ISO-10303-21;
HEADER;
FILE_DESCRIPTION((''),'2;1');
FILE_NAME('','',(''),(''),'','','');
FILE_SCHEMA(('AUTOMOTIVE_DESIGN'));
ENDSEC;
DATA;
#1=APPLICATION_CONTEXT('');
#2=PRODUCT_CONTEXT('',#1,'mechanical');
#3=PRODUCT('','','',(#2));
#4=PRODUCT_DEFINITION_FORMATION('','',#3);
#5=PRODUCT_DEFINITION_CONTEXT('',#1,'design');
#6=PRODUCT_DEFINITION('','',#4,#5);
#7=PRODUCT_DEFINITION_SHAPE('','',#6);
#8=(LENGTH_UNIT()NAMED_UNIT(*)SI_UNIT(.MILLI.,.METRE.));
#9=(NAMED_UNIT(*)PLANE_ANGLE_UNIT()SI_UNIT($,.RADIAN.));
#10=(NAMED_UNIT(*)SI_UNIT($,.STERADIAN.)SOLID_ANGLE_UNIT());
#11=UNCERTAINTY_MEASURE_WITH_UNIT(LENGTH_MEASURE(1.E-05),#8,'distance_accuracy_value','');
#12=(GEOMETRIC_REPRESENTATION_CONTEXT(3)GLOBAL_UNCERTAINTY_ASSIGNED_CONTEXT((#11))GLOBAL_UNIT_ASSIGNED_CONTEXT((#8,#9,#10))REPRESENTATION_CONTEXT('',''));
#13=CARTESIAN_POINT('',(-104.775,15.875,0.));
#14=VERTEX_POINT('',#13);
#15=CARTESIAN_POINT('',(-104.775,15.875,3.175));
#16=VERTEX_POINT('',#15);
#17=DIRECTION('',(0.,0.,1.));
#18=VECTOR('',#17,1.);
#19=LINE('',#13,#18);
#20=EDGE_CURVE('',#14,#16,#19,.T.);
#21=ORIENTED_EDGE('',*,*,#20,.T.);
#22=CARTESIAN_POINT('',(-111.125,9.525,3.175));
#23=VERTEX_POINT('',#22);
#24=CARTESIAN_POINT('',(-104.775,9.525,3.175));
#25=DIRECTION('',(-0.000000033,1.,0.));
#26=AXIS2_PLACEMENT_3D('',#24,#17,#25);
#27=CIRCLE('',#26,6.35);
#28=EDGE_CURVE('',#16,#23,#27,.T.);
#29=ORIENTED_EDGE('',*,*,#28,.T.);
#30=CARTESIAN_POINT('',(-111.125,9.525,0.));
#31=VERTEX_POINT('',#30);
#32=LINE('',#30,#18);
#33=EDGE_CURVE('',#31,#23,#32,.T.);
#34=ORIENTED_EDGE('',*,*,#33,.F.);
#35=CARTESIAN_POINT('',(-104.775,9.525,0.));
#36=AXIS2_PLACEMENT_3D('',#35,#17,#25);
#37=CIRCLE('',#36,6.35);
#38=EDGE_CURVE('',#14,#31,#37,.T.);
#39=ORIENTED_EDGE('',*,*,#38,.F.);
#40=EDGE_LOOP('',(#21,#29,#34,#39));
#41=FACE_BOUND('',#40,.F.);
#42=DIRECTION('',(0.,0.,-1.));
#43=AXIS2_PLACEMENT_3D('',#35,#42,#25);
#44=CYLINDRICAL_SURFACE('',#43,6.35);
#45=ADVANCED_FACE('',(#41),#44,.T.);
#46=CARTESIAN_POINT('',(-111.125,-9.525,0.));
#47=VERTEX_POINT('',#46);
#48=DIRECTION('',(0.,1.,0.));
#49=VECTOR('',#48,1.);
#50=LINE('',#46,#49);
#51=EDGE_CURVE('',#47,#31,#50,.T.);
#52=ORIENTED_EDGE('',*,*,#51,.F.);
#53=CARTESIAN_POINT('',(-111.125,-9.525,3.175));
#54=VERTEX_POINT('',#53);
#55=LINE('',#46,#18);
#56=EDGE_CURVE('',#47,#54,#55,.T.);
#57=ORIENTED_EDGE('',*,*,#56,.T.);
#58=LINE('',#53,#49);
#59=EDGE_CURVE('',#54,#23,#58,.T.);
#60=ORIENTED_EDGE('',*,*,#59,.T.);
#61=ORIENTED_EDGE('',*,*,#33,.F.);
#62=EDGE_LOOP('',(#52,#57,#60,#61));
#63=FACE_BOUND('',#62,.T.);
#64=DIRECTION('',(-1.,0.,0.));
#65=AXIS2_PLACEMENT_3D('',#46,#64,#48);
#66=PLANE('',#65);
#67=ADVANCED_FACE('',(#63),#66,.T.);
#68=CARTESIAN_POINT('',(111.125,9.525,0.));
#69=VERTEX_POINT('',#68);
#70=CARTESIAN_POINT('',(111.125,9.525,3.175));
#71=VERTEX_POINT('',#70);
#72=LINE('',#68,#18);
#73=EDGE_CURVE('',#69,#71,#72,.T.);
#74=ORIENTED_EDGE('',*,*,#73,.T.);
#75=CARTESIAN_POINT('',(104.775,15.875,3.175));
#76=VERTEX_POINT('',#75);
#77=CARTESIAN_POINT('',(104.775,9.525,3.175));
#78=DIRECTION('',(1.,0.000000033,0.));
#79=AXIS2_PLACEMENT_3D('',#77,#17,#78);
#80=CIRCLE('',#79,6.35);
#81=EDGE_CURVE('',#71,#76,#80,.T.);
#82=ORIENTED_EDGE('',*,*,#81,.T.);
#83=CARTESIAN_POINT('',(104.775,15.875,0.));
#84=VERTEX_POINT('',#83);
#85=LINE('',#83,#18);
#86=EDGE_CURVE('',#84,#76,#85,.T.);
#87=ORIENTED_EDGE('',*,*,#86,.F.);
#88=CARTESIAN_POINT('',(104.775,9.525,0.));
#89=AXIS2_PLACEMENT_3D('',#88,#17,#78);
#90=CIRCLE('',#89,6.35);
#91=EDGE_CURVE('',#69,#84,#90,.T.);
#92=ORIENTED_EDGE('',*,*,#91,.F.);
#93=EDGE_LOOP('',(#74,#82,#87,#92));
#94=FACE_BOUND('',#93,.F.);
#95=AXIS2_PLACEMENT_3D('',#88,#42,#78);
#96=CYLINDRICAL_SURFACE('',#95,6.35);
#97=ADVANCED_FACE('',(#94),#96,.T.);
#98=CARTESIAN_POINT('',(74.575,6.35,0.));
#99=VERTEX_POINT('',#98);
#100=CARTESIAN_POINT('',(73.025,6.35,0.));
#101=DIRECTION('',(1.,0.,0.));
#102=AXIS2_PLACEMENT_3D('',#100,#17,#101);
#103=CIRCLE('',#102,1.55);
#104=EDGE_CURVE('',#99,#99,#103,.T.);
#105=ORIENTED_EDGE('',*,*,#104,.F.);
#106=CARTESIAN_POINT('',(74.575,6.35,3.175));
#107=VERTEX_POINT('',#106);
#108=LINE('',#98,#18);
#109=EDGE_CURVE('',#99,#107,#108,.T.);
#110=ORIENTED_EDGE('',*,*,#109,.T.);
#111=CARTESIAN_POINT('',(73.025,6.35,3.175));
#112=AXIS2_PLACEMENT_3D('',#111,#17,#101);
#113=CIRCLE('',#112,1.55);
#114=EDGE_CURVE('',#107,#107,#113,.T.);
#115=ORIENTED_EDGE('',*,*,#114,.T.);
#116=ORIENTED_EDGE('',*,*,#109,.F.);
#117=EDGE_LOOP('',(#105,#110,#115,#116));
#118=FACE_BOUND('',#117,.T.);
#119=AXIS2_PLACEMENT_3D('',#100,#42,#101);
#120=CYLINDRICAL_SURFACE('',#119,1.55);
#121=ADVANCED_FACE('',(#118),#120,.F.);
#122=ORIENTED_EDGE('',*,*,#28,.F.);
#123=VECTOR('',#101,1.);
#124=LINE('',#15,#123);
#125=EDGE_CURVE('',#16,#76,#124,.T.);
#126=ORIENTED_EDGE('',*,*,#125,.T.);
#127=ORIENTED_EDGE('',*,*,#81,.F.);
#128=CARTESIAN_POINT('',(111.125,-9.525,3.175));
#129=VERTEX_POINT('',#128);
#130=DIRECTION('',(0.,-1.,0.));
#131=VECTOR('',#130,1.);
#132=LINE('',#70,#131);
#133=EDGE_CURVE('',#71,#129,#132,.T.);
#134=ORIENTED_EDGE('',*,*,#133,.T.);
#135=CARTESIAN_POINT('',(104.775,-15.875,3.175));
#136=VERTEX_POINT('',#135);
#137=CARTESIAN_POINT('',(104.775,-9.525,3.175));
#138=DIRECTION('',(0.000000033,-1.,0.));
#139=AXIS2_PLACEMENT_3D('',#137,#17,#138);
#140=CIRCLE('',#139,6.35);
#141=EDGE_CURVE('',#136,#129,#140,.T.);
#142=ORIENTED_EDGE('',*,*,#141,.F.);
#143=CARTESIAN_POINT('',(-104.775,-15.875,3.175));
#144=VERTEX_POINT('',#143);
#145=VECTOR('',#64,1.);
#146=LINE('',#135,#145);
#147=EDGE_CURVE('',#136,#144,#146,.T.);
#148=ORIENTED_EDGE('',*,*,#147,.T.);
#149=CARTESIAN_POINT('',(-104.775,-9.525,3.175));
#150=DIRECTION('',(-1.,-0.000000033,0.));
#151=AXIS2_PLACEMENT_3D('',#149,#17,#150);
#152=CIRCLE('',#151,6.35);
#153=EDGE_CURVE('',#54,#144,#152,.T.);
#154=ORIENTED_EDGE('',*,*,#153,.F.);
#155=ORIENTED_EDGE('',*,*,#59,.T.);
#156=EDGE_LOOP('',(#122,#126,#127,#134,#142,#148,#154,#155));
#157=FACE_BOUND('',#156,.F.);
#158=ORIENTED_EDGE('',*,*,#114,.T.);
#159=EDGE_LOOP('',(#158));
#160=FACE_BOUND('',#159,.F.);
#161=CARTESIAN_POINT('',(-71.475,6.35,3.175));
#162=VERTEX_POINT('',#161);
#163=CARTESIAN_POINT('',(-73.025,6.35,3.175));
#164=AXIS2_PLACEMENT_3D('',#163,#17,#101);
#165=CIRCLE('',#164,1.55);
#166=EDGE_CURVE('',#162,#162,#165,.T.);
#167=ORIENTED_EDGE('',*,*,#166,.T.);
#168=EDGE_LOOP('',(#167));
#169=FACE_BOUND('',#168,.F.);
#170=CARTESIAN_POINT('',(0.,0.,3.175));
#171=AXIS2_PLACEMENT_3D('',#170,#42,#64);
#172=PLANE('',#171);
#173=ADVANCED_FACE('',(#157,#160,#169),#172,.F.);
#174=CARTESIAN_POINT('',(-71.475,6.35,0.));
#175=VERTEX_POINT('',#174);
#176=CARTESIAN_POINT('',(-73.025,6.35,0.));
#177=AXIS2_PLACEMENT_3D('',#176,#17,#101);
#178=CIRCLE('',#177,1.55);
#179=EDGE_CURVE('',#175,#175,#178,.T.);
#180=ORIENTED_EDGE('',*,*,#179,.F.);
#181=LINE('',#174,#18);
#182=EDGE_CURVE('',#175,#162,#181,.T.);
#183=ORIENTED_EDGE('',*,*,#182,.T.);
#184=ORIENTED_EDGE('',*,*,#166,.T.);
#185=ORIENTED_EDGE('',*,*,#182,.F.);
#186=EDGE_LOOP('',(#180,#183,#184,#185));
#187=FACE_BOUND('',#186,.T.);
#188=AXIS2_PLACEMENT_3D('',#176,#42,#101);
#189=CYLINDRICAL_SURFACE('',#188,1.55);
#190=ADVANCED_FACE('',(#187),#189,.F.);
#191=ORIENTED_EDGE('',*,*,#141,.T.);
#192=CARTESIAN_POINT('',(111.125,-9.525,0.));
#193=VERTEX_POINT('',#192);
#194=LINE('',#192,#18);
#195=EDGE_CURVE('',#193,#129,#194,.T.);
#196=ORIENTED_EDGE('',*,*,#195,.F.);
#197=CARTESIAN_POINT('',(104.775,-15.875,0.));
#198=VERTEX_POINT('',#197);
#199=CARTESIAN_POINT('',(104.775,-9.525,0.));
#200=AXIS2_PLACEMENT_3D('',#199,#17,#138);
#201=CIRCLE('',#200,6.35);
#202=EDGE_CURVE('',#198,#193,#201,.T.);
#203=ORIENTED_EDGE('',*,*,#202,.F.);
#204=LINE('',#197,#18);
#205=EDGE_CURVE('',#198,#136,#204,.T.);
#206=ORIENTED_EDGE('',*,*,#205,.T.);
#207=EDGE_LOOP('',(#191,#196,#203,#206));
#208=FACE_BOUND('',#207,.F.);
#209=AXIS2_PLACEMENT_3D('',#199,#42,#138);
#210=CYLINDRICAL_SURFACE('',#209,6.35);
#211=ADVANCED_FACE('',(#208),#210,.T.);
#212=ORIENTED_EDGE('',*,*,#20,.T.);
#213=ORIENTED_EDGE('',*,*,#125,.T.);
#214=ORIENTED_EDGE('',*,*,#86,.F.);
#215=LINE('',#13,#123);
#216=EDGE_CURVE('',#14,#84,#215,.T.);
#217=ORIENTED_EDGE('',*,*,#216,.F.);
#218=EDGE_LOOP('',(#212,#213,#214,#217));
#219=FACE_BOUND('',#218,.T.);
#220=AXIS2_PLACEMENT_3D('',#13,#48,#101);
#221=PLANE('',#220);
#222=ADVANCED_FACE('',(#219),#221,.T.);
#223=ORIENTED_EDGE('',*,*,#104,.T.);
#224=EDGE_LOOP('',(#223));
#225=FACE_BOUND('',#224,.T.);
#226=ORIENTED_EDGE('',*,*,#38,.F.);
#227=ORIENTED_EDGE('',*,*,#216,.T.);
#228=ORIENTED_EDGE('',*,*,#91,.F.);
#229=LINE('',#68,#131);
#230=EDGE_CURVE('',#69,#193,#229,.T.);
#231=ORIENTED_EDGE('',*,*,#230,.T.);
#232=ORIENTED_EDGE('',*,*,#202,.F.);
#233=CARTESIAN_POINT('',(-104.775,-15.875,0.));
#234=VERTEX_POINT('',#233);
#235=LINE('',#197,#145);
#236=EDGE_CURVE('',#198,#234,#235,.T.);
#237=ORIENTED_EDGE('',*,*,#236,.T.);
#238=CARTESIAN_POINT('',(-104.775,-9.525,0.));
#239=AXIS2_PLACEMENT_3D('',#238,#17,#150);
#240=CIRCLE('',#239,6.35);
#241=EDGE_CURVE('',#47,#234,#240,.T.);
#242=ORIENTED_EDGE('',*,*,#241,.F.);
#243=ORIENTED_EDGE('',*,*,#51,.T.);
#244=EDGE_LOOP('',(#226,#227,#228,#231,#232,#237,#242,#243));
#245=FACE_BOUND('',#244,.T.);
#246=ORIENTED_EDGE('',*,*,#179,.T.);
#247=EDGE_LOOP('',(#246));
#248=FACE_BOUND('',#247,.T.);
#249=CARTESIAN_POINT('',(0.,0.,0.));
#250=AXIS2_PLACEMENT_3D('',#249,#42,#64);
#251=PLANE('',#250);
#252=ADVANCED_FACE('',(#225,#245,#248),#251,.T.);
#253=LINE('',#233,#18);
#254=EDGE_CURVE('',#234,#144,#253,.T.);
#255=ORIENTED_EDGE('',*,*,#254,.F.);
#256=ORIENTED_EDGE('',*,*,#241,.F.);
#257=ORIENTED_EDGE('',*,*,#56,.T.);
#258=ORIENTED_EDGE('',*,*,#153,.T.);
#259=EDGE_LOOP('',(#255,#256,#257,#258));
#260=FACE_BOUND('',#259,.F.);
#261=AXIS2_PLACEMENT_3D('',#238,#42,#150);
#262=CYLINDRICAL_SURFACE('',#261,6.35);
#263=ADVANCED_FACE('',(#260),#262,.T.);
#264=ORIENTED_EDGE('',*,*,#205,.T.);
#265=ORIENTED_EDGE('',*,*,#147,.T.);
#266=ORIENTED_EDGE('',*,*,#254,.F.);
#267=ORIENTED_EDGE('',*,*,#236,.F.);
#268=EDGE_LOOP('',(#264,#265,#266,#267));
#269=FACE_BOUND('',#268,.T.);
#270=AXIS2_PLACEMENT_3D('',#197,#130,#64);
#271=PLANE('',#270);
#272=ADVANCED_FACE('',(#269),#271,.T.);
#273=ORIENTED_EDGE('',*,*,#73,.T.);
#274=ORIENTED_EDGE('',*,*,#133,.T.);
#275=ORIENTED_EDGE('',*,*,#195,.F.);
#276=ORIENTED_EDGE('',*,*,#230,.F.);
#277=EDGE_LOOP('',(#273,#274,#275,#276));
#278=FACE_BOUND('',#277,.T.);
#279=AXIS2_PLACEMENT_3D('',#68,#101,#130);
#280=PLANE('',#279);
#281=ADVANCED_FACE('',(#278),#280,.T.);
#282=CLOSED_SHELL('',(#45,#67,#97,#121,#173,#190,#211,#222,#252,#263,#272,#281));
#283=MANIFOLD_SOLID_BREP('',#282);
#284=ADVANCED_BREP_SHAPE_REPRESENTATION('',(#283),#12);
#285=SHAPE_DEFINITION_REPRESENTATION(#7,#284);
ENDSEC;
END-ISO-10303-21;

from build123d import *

# Parameters (mm, degrees)
SKETCH_R  = 1.55
PAD_DEPTH = 3.175


with BuildPart() as part:
    # Sketch → Pad (new body)
    with BuildSketch(Plane.XY):
        with BuildLine():
            Line((-104.775, 15.875), (104.775, 15.875))
            ThreePointArc((111.125, 9.525), (109.265128, 14.015128), (104.775, 15.875))
            Line((111.125, 9.525), (111.125, -9.525))
            ThreePointArc((104.775, -15.875), (109.265128, -14.015128), (111.125, -9.525))
            Line((104.775, -15.875), (-104.775, -15.875))
            ThreePointArc((-111.125, -9.525), (-109.265128, -14.015128), (-104.775, -15.875))
            Line((-111.125, -9.525), (-111.125, 9.525))
            ThreePointArc((-104.775, 15.875), (-109.265128, 14.015128), (-111.125, 9.525))
        make_face()
        with Locations((-73.025, 6.35)):
            Circle(SKETCH_R, mode=Mode.SUBTRACT)
        with Locations((73.025, 6.35)):
            Circle(SKETCH_R, mode=Mode.SUBTRACT)
    extrude(amount=PAD_DEPTH)


solid = part.part
